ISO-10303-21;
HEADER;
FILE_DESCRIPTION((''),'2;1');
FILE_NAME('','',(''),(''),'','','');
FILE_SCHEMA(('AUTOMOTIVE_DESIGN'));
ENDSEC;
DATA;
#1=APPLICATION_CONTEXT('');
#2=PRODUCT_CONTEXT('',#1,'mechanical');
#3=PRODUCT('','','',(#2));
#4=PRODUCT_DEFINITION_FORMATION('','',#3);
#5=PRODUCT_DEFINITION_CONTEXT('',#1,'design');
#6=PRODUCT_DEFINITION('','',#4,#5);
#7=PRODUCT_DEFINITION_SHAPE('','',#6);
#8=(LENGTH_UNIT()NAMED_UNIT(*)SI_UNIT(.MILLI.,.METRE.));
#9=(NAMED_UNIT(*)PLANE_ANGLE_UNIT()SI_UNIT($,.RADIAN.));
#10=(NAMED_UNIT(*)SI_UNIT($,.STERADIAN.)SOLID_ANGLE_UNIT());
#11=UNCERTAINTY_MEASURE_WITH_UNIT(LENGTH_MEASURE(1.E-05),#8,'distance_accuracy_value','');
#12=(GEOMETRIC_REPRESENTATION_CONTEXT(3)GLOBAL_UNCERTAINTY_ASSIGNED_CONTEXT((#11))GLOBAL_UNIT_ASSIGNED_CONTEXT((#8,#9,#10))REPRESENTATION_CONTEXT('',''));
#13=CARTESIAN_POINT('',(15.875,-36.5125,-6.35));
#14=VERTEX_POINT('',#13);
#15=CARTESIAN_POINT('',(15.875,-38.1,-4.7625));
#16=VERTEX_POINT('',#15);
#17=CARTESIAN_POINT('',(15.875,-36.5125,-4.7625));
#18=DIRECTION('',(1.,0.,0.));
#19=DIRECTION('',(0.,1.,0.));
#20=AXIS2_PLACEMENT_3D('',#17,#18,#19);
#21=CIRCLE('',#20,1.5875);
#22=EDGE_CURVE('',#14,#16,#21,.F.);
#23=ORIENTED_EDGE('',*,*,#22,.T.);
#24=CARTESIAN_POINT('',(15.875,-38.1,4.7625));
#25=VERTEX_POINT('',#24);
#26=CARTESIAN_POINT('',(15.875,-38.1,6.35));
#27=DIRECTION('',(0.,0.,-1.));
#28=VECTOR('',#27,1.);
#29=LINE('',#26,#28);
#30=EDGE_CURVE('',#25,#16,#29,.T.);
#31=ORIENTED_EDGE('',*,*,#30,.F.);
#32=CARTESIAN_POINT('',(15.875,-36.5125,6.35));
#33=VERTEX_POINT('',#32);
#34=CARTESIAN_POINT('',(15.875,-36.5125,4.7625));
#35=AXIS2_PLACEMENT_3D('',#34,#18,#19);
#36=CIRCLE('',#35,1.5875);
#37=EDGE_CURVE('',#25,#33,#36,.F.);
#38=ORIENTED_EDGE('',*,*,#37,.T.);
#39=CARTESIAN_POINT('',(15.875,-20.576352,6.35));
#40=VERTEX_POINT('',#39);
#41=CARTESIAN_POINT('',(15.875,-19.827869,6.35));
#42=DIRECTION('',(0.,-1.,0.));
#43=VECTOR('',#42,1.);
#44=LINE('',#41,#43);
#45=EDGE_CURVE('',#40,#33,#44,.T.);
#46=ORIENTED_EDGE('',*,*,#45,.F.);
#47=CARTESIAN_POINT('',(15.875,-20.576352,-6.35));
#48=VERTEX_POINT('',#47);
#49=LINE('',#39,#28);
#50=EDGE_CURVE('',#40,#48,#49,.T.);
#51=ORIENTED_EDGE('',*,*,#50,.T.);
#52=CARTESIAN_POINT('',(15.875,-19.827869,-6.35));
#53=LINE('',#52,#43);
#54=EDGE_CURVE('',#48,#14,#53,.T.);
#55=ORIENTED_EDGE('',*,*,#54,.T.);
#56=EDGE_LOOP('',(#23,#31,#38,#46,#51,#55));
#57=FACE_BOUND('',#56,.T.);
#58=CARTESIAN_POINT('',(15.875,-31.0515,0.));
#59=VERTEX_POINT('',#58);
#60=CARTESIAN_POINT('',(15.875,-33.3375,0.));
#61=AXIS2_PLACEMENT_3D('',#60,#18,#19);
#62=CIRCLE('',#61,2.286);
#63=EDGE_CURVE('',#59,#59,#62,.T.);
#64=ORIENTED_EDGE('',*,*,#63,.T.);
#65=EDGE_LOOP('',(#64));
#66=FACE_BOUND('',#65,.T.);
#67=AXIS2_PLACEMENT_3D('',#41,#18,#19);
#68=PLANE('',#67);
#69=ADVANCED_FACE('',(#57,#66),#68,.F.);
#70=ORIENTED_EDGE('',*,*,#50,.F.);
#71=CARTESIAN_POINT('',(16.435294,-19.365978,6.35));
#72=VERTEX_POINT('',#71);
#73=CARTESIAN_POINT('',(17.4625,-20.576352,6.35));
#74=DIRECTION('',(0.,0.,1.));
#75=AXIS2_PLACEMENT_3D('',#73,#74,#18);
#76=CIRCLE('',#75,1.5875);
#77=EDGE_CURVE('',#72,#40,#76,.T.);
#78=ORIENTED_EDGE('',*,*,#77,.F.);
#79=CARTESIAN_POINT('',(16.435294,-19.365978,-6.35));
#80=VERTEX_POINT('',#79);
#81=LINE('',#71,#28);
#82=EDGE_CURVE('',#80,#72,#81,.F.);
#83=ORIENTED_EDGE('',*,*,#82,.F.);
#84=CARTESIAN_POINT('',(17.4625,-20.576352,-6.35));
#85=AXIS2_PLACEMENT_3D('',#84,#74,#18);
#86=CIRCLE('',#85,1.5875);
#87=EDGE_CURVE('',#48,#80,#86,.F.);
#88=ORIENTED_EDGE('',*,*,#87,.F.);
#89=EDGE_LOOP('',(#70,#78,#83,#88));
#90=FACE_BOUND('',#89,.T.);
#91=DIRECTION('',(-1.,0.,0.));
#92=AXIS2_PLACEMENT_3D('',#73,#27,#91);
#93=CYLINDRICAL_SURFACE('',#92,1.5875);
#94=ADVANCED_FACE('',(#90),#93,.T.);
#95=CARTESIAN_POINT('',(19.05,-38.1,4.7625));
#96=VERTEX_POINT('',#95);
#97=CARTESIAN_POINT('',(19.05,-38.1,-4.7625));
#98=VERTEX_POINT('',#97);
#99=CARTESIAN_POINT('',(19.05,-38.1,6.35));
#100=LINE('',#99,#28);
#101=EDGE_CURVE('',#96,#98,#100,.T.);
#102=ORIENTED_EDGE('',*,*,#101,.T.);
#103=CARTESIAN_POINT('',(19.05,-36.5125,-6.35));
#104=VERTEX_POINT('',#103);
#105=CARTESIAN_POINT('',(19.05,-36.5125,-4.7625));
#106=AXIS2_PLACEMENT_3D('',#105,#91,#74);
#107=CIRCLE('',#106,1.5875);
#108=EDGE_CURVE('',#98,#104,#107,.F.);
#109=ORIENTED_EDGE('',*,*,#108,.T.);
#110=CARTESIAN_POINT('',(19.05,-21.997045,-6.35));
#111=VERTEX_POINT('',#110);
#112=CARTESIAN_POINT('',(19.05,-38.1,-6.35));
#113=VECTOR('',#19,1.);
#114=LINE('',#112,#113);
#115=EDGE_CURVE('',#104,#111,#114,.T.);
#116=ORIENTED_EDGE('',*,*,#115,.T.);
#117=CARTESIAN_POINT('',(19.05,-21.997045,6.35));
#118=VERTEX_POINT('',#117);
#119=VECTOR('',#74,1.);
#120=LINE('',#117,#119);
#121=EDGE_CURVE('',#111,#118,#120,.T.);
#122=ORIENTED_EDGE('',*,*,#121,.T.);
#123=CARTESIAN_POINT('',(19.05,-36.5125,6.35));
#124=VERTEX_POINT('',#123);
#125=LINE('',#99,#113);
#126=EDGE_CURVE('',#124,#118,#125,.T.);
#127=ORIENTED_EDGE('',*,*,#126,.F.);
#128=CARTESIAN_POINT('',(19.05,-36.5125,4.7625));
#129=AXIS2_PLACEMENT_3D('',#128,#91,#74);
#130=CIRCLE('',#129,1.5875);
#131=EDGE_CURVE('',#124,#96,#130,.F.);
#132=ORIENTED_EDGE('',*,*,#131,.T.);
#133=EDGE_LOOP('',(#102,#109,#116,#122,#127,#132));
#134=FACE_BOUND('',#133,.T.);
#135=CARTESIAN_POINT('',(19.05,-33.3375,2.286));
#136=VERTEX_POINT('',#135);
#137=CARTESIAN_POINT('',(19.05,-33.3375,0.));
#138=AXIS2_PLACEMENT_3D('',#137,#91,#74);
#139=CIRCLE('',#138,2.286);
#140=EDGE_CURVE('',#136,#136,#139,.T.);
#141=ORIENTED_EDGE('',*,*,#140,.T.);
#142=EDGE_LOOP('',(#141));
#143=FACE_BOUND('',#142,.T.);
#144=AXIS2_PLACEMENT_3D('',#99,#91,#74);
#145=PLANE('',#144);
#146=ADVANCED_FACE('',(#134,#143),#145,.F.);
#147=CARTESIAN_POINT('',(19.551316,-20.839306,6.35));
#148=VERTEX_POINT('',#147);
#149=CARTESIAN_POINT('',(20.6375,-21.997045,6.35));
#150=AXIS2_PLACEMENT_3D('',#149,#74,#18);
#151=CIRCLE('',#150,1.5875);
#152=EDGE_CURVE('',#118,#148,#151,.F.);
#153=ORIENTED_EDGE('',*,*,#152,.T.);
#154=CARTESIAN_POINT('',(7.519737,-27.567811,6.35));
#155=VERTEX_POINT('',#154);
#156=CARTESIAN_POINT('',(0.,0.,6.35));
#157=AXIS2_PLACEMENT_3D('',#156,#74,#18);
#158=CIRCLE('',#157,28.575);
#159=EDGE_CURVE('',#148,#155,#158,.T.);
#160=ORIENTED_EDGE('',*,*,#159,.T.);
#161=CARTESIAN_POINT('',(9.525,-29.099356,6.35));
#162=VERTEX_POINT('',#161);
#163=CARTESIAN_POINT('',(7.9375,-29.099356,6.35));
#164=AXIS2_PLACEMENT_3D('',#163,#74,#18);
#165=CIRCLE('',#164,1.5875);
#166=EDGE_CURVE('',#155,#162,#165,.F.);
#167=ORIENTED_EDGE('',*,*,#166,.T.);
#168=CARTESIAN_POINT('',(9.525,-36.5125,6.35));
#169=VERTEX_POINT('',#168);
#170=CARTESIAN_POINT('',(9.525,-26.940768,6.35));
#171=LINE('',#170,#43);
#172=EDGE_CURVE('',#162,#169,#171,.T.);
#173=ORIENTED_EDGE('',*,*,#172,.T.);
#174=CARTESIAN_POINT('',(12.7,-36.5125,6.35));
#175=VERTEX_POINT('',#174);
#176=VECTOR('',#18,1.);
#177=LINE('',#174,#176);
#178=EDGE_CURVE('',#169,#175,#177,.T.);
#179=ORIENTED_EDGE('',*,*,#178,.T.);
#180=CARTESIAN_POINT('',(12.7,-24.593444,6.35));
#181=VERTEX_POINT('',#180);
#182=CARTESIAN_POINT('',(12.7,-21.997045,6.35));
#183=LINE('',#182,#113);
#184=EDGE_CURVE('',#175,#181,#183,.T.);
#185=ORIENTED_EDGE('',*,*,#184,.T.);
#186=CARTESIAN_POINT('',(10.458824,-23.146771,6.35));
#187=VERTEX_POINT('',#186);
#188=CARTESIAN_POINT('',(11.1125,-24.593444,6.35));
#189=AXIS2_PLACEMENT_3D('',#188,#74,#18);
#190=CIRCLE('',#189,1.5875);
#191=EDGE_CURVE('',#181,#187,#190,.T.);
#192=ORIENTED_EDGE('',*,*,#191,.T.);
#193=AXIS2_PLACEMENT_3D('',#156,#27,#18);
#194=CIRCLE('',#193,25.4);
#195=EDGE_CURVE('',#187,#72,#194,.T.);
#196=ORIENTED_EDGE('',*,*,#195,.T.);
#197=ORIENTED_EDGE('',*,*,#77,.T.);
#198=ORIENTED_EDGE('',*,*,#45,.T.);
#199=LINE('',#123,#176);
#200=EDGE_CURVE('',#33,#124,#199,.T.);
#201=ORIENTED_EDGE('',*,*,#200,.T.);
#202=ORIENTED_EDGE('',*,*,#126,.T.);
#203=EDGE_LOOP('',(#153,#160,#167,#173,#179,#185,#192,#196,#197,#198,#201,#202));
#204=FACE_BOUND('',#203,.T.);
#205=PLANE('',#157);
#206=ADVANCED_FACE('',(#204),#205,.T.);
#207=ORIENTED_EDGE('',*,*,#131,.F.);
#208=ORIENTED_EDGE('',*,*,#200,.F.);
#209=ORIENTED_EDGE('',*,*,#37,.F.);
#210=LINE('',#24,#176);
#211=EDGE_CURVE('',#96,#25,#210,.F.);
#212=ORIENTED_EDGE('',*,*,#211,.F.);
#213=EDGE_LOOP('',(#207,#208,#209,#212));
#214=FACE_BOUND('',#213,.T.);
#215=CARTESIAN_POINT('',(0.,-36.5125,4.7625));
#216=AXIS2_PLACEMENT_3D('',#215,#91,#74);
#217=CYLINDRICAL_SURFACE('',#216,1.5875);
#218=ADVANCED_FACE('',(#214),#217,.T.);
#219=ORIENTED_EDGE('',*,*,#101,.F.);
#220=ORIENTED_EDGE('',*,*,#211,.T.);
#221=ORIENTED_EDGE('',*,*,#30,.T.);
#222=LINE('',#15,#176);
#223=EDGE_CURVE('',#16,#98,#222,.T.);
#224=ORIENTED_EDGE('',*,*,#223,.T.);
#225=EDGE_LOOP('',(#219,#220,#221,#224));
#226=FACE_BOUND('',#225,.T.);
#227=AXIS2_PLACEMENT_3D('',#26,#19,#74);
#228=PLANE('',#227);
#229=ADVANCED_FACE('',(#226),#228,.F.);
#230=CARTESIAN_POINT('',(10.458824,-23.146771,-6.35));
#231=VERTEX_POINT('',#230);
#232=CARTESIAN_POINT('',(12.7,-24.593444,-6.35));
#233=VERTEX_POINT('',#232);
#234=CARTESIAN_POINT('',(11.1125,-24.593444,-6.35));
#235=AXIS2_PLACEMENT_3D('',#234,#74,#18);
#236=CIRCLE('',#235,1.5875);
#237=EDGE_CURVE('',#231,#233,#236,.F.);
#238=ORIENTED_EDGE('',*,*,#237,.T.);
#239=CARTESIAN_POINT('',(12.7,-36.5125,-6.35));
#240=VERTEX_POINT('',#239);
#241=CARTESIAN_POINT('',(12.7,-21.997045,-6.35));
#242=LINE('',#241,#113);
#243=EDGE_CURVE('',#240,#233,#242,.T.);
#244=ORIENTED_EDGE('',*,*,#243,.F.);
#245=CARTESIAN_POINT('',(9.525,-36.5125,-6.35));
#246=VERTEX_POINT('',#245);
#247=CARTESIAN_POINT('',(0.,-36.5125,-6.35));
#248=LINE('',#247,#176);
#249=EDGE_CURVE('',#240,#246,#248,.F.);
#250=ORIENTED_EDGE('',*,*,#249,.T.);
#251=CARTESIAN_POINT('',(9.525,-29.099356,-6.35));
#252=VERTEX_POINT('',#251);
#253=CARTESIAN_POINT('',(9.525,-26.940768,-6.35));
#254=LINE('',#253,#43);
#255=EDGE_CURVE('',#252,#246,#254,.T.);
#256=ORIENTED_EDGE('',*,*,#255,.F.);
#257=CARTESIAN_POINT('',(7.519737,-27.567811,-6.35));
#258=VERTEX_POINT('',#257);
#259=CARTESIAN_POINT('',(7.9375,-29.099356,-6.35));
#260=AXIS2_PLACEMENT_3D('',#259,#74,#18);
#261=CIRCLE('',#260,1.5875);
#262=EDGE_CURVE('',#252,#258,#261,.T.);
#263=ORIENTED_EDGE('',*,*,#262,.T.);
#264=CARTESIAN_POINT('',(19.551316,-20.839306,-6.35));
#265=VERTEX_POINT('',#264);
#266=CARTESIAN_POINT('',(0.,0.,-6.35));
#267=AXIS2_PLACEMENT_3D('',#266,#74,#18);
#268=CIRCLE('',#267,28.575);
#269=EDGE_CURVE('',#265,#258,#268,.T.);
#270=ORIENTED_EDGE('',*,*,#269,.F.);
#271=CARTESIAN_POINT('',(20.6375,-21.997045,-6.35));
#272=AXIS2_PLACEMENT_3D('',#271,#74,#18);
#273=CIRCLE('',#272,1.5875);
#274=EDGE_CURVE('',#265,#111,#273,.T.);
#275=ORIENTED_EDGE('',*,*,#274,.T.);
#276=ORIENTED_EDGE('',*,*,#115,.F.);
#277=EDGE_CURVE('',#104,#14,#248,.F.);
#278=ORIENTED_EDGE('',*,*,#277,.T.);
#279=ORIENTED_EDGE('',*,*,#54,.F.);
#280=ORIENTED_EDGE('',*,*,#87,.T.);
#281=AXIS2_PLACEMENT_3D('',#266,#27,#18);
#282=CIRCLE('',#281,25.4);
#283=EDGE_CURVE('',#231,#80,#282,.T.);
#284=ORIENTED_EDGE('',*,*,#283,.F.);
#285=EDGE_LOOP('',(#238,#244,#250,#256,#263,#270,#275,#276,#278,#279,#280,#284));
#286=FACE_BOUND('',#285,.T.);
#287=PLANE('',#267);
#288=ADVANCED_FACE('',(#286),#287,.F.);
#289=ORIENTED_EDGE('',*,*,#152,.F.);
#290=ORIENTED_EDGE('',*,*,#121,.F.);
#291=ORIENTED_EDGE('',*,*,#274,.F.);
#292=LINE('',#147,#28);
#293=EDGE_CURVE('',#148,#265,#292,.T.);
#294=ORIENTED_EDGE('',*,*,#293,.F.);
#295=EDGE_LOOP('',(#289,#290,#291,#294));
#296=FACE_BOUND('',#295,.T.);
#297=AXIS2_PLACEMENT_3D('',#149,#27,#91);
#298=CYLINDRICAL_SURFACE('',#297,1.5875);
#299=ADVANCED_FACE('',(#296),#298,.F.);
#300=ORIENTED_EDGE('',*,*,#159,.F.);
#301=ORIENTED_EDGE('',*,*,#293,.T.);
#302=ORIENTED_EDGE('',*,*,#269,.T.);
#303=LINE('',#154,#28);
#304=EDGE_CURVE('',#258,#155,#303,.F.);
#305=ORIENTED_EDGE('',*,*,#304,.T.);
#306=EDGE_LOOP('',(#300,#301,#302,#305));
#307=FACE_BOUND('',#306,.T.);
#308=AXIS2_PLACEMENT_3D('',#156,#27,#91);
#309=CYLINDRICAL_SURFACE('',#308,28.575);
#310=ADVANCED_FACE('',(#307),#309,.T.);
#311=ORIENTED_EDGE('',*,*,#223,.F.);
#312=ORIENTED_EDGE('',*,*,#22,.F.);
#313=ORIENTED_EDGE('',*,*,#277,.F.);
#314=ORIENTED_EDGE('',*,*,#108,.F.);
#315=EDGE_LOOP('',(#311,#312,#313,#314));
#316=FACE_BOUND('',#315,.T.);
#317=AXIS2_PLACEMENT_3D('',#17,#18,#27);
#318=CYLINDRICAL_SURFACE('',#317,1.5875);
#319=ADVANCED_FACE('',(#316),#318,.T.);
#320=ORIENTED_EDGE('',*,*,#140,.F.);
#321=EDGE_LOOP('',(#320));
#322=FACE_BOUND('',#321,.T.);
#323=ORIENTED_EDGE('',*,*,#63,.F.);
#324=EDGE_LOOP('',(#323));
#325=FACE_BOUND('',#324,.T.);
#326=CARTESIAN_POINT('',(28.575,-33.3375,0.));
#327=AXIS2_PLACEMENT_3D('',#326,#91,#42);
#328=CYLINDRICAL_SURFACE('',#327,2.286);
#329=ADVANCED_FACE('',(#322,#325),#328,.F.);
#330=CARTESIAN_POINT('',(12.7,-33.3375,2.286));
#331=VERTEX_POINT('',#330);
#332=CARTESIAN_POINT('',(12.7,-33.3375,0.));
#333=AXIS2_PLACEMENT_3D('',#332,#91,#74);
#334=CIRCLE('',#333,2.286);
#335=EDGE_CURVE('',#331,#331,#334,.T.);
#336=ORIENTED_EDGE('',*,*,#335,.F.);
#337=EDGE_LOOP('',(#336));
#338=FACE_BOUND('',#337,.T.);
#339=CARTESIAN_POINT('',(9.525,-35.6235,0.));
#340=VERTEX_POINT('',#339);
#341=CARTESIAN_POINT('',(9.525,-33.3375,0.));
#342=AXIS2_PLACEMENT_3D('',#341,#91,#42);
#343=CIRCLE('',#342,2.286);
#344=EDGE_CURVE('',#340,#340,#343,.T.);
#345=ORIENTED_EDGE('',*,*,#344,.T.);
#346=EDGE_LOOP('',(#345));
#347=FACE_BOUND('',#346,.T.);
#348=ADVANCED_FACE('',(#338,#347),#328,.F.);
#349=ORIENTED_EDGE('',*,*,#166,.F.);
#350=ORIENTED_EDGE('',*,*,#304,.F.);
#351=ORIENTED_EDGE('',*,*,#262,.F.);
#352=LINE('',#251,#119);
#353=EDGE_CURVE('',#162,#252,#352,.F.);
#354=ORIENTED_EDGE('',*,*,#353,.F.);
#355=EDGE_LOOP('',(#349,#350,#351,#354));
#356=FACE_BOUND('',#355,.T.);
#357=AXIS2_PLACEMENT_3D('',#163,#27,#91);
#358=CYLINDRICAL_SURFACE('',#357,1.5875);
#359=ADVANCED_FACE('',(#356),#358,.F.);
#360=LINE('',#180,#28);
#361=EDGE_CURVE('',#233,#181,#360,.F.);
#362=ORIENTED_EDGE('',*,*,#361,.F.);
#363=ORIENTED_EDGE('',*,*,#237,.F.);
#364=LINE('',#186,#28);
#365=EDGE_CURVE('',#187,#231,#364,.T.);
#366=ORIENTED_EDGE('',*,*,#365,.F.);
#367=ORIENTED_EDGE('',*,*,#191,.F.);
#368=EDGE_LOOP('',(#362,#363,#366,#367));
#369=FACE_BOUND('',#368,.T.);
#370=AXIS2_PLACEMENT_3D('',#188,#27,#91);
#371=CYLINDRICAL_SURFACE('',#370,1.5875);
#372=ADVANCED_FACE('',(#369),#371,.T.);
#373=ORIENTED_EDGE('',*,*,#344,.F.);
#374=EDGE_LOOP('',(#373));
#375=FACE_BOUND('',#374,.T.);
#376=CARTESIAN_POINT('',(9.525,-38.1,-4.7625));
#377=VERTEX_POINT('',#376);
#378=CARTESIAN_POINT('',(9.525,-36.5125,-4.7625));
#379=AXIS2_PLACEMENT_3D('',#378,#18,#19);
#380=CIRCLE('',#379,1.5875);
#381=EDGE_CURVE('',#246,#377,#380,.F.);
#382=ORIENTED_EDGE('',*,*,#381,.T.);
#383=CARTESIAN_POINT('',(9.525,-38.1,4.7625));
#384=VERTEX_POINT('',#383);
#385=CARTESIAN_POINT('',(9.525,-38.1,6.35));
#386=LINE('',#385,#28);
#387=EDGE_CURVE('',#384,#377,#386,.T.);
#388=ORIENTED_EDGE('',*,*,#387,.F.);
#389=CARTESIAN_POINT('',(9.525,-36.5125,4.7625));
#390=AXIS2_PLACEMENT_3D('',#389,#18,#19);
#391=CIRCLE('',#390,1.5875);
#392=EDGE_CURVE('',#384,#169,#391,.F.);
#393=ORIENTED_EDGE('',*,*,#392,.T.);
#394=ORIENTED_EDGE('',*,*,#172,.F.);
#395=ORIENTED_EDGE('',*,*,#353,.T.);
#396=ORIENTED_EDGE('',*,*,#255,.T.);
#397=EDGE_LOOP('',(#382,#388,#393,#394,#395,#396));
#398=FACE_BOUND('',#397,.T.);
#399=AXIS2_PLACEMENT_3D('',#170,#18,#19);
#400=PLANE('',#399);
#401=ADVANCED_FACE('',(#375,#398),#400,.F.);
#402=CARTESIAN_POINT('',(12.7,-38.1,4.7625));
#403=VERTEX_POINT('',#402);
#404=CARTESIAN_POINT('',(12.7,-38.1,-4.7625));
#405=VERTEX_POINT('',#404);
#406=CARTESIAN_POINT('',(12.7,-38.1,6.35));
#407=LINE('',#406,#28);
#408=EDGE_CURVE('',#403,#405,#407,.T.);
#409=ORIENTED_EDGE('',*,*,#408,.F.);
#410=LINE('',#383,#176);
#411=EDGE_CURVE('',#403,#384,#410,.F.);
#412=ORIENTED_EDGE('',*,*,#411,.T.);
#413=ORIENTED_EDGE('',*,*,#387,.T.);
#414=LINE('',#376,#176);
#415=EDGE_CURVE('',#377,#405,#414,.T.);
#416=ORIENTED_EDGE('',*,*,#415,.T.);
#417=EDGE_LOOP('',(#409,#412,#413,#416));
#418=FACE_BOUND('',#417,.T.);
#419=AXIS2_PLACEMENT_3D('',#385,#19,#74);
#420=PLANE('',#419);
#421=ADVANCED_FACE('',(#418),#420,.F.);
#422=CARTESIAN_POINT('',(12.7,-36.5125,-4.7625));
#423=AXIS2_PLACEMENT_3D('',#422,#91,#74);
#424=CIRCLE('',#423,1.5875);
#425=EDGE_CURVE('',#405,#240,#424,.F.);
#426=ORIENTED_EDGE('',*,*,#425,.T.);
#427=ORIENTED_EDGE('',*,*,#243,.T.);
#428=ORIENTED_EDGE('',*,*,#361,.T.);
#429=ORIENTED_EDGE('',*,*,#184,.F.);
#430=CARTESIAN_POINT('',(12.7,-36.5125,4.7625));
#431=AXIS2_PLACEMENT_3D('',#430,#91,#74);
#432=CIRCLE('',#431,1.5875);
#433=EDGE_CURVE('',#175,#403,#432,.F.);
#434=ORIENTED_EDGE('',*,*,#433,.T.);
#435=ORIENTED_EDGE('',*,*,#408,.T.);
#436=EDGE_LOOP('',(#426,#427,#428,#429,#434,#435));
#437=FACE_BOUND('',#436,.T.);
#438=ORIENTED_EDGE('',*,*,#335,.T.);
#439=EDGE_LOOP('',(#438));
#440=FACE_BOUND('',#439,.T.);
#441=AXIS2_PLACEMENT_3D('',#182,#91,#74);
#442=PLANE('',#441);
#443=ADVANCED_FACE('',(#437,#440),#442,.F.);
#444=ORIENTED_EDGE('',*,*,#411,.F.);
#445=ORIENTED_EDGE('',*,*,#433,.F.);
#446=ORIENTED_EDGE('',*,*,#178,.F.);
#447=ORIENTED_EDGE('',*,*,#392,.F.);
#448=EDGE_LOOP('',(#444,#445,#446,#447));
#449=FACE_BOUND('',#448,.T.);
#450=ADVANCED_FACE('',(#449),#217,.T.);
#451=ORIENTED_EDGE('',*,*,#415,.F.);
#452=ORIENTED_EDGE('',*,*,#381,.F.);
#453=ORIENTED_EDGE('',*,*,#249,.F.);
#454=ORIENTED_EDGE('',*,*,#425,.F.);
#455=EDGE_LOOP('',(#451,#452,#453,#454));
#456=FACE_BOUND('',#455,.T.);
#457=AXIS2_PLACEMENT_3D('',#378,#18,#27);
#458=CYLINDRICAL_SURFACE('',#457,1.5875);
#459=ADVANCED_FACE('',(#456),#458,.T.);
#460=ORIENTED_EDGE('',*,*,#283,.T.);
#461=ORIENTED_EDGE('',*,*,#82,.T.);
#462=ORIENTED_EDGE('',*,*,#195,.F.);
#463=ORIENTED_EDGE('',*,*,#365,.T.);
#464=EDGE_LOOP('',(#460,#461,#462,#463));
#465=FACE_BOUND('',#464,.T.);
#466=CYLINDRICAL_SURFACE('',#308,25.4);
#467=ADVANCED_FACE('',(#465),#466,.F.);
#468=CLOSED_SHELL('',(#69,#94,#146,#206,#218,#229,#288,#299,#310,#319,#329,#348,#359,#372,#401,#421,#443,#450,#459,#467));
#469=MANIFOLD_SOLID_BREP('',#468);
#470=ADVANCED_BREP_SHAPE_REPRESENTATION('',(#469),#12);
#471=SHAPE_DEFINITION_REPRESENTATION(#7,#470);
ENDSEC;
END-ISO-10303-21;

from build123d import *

# Parameters (mm, degrees)
BOSS_EXTRUDE1_DEPTH = 6.35
SKETCH2_R           = 2.286
CUT_EXTRUDE1_DEPTH  = 55.254423783
FILLET1_R           = 1.5875


with BuildPart() as part:
    # Sketch1 → Boss-Extrude1 (new, symmetric)
    with BuildSketch(Plane.XY):
        with BuildLine():
            Line((12.7, -21.997045256), (12.7, -38.1))
            Line((12.7, -38.1), (9.525, -38.1))
            Line((9.525, -38.1), (9.525, -26.940768363))
            ThreePointArc((9.525, -26.940768363), (-14.563355395, 24.585347357), (19.05, -21.298547486))
            Line((19.05, -21.298547486), (19.05, -38.1))
            Line((19.05, -38.1), (15.875, -38.1))
            Line((15.875, -38.1), (15.875, -19.827868645))
            ThreePointArc((15.875, -19.827868645), (-14.328607331, 20.9726253), (12.7, -21.997045256))
        make_face()
    extrude(amount=BOSS_EXTRUDE1_DEPTH, both=True)

    # Sketch2 → Cut-Extrude1 (cut, through all)
    with BuildSketch(Plane.ZY.offset(-9.525)):
        with Locations(Location((0, -33.3375, 0), (0, 0, 270))):
            Circle(SKETCH2_R)
    extrude(amount=-CUT_EXTRUDE1_DEPTH, mode=Mode.SUBTRACT)

    # Fillet1
    fillet1_edges = [part.edges().sort_by_distance(p)[0] for p in [
        (17.4625, -38.1, -6.35),
        (17.4625, -38.1, 6.35),
        (12.7, -21.997045256, 0),
        (9.525, -26.940768363, 0),
        (19.05, -21.298547486, 0),
        (15.875, -19.827868645, 0),
        (11.1125, -38.1, 6.35),
        (11.1125, -38.1, -6.35),
    ]]
    fillet(fillet1_edges, radius=FILLET1_R)


solid = part.part
